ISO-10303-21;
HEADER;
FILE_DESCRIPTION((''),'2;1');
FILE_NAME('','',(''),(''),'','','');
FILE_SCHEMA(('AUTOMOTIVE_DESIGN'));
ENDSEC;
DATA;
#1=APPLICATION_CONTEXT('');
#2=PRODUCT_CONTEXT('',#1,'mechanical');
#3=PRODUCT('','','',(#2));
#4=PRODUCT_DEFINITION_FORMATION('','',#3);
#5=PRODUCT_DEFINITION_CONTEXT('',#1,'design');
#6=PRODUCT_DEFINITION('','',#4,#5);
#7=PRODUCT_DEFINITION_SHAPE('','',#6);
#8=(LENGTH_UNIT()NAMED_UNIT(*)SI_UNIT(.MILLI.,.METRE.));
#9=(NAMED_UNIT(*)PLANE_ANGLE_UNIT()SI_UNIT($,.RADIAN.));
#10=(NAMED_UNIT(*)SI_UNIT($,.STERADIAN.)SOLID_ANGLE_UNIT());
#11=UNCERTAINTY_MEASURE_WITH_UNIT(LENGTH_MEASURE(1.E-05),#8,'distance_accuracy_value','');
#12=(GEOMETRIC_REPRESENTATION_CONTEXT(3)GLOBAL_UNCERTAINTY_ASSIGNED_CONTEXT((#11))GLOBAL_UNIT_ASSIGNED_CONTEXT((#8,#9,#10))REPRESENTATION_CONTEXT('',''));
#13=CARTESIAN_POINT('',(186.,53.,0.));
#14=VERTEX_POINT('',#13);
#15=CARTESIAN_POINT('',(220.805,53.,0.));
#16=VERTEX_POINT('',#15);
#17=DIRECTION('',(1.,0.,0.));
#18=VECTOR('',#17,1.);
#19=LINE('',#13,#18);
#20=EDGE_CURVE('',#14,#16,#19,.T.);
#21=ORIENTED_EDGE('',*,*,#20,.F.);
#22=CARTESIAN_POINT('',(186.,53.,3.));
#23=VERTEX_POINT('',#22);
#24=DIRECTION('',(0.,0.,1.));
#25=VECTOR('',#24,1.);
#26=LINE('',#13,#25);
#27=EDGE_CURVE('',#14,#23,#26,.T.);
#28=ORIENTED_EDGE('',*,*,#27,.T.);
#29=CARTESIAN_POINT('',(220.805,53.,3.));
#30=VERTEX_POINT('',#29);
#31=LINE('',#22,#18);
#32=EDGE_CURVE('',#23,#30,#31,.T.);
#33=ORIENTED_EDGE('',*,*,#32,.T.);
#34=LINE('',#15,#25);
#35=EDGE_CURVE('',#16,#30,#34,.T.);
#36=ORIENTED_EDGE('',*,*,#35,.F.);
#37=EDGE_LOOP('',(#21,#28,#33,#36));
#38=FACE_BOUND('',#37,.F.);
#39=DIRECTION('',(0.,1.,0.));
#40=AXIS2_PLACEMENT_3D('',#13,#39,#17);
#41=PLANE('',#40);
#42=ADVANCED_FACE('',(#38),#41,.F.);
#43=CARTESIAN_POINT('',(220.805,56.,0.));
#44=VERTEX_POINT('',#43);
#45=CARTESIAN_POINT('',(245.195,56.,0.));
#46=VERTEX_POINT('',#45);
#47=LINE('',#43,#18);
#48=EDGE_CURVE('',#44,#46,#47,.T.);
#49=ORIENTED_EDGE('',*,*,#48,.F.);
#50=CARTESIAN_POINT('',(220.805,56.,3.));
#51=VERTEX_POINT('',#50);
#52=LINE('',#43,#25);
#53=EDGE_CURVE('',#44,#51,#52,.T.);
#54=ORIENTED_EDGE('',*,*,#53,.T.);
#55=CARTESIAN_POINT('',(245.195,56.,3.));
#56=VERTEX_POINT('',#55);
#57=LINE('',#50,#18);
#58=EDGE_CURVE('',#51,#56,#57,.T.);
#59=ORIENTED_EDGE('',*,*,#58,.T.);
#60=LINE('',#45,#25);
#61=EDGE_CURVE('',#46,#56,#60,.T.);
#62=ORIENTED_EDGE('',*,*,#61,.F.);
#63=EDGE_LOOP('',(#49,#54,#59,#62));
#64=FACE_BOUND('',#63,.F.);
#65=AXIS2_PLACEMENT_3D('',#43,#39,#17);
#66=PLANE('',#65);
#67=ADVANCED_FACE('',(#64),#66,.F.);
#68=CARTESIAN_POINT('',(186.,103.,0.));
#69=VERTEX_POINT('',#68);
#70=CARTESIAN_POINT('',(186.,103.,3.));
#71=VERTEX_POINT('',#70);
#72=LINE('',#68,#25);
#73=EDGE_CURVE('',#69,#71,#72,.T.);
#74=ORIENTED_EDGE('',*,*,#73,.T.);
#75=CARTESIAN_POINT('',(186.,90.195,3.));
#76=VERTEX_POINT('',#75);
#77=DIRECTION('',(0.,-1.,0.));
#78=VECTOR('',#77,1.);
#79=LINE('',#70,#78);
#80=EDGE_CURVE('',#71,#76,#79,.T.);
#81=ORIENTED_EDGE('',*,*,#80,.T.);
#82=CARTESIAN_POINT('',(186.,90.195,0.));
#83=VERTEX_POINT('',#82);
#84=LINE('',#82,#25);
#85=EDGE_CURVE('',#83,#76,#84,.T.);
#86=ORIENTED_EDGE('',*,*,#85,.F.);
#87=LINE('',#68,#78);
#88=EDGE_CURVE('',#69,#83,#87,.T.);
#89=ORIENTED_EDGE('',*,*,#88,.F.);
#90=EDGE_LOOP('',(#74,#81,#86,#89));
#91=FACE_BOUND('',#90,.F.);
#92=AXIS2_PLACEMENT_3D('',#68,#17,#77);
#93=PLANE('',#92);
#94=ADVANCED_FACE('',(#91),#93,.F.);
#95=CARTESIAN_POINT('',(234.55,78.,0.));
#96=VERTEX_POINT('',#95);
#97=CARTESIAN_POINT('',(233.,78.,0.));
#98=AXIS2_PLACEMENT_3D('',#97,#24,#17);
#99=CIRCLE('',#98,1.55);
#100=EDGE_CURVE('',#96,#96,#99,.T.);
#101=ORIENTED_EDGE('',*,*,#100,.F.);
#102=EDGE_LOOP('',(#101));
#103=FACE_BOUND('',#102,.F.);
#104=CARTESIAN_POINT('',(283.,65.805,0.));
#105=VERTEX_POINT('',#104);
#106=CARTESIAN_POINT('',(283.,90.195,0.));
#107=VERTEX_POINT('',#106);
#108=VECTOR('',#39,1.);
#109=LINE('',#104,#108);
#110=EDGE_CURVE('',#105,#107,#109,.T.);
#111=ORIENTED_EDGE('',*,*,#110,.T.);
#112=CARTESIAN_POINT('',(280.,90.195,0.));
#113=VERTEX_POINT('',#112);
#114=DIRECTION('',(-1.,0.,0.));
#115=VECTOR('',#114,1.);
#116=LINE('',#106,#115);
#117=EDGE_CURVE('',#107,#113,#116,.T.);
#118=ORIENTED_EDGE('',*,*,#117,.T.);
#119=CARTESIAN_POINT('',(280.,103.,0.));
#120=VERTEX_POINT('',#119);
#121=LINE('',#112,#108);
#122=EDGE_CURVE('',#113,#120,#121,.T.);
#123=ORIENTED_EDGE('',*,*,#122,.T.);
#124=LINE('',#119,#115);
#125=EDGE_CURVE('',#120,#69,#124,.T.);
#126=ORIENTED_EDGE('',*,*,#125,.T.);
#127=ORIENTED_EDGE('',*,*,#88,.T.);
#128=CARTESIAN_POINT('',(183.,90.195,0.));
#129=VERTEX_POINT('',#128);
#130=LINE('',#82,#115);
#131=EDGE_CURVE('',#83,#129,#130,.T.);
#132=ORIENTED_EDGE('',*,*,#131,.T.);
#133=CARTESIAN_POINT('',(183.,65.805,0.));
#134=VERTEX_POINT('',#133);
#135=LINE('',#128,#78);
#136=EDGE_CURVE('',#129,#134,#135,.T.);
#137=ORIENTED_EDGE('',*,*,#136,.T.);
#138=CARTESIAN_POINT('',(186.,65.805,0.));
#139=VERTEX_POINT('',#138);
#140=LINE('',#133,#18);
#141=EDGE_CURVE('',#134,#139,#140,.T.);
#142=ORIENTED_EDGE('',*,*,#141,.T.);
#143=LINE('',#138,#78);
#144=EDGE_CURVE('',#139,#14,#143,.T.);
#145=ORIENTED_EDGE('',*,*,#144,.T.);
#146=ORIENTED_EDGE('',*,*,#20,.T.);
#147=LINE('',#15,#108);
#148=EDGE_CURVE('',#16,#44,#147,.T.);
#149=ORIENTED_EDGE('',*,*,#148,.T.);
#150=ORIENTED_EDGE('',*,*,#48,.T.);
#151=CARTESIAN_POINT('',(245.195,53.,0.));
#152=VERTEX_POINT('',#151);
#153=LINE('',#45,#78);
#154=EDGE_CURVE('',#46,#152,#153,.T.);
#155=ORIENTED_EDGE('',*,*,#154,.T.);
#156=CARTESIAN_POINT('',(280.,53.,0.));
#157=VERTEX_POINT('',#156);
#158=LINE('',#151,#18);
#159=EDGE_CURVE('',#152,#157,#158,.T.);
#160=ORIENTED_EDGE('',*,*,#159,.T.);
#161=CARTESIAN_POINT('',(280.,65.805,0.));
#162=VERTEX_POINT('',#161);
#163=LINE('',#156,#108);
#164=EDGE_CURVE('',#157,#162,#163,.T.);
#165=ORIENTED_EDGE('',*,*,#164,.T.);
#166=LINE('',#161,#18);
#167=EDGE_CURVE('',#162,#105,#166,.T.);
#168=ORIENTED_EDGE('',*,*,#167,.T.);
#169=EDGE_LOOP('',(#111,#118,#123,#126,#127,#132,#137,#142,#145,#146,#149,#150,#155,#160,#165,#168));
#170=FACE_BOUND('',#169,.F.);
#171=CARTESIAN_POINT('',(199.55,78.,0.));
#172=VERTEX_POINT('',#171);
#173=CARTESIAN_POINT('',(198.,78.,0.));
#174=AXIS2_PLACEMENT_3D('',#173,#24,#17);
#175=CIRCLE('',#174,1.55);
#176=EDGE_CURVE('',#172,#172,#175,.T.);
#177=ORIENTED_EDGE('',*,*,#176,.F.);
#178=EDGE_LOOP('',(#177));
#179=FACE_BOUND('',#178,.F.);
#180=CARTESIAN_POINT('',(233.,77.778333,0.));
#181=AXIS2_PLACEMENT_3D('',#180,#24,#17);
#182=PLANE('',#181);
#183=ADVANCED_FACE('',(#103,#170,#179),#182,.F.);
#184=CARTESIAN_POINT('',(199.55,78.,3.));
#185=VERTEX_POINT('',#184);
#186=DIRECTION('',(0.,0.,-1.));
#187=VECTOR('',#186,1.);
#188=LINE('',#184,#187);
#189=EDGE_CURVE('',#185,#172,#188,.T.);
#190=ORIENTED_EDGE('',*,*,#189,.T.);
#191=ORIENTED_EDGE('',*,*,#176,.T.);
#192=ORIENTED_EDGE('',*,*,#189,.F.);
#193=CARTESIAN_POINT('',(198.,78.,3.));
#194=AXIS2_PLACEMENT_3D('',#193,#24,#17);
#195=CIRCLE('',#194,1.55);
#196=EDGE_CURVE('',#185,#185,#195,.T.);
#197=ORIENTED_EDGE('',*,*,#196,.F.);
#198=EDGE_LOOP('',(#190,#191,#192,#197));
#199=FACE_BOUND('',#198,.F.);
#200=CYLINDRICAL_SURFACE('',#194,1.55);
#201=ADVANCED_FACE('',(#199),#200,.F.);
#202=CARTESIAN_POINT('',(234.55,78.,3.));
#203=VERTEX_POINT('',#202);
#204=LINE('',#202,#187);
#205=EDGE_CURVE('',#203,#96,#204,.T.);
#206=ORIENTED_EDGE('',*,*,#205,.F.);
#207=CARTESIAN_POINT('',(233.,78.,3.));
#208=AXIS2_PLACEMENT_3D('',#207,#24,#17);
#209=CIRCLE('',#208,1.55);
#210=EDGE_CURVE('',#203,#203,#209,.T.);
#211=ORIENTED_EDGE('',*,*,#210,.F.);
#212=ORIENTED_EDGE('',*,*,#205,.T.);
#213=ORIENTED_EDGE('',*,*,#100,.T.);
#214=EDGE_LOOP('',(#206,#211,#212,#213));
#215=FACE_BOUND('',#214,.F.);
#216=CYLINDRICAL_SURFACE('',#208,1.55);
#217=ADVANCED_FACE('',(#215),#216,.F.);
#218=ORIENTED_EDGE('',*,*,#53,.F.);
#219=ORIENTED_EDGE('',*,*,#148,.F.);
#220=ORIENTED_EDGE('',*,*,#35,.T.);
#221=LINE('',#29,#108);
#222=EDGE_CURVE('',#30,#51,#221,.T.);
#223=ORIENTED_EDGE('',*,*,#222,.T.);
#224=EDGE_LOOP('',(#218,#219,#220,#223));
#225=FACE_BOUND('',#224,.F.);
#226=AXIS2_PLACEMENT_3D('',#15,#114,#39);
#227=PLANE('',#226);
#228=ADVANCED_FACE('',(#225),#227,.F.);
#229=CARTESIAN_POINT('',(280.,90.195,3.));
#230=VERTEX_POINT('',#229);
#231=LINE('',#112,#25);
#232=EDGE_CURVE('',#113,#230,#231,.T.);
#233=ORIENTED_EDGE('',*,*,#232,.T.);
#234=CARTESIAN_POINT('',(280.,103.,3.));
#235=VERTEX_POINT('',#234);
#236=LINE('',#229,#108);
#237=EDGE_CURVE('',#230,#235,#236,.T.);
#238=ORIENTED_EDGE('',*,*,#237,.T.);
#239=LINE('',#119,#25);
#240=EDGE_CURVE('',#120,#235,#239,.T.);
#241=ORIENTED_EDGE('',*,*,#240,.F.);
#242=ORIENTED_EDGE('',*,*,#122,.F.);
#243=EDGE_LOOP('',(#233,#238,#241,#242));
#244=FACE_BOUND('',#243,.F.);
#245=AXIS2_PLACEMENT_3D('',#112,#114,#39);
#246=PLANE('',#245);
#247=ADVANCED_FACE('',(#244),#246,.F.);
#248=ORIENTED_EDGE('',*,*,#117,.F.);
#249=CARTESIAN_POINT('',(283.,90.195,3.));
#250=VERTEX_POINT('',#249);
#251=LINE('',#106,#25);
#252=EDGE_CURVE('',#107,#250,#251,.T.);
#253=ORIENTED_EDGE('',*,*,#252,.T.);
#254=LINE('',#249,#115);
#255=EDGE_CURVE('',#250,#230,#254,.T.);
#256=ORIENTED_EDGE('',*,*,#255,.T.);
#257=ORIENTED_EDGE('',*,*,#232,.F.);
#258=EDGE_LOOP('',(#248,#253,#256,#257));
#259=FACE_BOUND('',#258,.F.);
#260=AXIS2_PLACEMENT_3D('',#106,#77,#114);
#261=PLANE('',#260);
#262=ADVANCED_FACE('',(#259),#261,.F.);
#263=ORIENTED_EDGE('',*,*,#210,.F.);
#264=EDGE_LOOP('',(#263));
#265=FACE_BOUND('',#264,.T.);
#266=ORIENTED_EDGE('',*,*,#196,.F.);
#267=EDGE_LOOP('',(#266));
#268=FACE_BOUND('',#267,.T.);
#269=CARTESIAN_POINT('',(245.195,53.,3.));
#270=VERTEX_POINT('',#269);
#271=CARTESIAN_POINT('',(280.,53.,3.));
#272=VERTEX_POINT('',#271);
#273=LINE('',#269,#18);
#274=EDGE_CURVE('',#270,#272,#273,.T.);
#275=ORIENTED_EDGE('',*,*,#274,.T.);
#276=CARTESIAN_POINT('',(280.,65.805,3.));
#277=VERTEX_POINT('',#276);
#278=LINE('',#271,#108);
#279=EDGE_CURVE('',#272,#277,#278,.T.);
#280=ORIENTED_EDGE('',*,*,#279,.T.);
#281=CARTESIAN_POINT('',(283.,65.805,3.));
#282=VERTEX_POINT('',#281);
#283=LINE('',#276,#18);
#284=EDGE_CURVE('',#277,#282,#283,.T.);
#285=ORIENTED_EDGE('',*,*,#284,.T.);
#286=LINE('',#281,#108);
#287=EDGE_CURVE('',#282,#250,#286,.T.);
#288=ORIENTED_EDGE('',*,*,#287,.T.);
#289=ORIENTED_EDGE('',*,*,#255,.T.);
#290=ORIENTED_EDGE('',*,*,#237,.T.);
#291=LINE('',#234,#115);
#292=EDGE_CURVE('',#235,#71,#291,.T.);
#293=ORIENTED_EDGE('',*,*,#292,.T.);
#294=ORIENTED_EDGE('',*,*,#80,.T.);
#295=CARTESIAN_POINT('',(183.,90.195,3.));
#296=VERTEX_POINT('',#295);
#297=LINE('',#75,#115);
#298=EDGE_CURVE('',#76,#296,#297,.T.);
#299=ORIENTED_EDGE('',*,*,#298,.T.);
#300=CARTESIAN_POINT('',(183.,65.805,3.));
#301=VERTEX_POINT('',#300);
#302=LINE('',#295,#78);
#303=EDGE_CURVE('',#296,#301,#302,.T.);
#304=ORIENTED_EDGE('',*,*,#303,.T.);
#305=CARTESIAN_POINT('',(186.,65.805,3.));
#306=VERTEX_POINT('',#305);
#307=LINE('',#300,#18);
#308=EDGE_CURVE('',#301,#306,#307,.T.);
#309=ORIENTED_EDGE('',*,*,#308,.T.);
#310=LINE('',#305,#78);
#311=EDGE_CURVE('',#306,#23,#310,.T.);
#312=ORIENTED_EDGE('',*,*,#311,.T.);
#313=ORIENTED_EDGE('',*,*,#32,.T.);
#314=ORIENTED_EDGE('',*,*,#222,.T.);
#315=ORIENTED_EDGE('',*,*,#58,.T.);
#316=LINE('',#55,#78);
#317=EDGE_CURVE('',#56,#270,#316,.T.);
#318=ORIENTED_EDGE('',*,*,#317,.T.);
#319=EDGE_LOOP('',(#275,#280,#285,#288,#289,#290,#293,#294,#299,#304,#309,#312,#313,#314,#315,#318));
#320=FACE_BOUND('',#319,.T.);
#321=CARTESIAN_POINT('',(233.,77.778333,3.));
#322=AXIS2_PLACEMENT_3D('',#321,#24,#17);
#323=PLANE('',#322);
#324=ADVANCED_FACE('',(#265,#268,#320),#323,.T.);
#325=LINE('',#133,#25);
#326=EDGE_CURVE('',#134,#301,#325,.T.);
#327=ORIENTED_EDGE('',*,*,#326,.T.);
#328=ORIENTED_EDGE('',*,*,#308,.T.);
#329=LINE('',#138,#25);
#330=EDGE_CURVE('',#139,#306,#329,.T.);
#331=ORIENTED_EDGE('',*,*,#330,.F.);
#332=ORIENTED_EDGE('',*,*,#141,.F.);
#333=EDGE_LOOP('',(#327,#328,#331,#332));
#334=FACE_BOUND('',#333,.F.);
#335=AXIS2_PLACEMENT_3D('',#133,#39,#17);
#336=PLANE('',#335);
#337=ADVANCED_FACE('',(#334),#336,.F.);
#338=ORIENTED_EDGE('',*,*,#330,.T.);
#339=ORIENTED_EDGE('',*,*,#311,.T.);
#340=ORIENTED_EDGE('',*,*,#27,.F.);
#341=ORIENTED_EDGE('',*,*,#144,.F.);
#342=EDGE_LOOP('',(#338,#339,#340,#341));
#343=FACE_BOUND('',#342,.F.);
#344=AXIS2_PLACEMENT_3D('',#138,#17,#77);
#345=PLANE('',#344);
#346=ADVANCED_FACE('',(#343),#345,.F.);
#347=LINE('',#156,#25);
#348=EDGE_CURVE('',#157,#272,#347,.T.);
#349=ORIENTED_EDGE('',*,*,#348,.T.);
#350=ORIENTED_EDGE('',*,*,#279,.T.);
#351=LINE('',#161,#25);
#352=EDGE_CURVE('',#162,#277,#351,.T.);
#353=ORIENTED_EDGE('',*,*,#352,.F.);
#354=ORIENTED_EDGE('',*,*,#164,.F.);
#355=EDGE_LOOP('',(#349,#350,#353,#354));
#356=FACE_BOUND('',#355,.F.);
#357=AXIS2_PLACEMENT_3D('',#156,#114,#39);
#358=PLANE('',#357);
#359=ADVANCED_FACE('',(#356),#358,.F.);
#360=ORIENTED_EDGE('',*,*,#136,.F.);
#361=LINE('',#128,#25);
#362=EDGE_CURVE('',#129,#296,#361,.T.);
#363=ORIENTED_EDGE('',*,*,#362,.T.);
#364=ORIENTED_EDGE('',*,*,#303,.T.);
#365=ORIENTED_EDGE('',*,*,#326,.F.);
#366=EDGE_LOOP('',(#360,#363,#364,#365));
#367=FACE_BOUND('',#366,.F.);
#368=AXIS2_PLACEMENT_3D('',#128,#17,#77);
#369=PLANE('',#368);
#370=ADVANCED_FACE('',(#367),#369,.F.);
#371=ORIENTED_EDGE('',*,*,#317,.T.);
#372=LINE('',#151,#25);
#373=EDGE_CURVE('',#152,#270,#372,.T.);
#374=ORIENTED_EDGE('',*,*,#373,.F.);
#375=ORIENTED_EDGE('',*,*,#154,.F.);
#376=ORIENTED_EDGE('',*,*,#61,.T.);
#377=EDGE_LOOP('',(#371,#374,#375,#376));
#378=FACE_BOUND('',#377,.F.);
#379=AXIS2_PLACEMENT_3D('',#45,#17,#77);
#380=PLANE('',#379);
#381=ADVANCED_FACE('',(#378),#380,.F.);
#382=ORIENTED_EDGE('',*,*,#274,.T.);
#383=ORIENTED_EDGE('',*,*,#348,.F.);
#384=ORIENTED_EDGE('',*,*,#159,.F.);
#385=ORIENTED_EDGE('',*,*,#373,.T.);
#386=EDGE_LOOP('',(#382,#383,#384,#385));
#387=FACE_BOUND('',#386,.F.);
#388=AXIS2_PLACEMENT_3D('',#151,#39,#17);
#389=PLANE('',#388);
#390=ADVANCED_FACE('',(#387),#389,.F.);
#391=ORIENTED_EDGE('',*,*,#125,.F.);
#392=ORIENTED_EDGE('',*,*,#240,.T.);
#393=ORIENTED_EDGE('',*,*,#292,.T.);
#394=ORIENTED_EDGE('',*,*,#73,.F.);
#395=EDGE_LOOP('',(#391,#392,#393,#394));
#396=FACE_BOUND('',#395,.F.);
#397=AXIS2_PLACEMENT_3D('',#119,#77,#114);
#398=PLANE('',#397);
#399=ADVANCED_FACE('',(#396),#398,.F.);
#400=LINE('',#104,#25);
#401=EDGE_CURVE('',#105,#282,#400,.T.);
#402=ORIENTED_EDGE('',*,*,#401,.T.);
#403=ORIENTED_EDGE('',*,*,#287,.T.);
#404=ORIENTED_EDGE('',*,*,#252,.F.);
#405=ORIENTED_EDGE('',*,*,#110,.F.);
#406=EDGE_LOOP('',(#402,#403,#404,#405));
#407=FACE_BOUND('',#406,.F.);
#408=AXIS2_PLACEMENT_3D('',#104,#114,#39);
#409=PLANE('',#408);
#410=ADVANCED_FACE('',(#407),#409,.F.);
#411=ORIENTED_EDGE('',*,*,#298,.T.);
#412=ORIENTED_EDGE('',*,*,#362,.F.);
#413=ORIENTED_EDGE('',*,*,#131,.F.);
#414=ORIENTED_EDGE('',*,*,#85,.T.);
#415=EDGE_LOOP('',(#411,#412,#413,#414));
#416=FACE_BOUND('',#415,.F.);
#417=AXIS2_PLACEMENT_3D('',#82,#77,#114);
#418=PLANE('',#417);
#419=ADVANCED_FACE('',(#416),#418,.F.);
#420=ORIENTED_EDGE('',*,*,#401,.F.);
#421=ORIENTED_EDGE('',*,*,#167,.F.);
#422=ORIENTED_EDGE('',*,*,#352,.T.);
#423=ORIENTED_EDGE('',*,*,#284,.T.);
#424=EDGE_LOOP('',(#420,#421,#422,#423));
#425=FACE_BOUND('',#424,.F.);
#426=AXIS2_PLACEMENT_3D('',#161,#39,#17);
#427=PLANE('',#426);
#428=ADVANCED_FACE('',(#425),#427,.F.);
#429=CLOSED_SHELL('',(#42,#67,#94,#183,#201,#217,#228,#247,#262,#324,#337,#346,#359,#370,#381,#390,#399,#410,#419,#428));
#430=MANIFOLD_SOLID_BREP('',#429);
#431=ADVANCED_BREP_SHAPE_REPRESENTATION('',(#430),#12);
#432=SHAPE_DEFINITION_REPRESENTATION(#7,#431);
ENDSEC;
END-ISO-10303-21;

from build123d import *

# Parameters (mm, degrees)
SALIENTE_EXTRUIR1_DEPTH = 3
CROQUIS2_R              = 1.55
CORTAR_EXTRUIR1_DEPTH   = 3


with BuildPart() as part:
    # Model → Saliente-Extruir1 (new body)
    with BuildSketch(Plane.XY):
        Polygon((186, 103), (186, 90.195), (183, 90.195), (183, 65.805), (186, 65.805), (186, 53), (220.805, 53), (220.805, 56), (245.195, 56), (245.195, 53), (269.585, 53), (280, 53), (280, 65.805), (283, 65.805), (283, 90.195), (280, 90.195), (280, 103), align=None)
    extrude(amount=SALIENTE_EXTRUIR1_DEPTH)

    # Croquis2 → Cortar-Extruir1 (cut)
    with BuildSketch(Plane.XY.offset(3)):
        with Locations((233, 78)):
            Circle(CROQUIS2_R)
        with Locations((198, 78)):
            Circle(CROQUIS2_R)
    extrude(amount=-CORTAR_EXTRUIR1_DEPTH, mode=Mode.SUBTRACT)


solid = part.part
